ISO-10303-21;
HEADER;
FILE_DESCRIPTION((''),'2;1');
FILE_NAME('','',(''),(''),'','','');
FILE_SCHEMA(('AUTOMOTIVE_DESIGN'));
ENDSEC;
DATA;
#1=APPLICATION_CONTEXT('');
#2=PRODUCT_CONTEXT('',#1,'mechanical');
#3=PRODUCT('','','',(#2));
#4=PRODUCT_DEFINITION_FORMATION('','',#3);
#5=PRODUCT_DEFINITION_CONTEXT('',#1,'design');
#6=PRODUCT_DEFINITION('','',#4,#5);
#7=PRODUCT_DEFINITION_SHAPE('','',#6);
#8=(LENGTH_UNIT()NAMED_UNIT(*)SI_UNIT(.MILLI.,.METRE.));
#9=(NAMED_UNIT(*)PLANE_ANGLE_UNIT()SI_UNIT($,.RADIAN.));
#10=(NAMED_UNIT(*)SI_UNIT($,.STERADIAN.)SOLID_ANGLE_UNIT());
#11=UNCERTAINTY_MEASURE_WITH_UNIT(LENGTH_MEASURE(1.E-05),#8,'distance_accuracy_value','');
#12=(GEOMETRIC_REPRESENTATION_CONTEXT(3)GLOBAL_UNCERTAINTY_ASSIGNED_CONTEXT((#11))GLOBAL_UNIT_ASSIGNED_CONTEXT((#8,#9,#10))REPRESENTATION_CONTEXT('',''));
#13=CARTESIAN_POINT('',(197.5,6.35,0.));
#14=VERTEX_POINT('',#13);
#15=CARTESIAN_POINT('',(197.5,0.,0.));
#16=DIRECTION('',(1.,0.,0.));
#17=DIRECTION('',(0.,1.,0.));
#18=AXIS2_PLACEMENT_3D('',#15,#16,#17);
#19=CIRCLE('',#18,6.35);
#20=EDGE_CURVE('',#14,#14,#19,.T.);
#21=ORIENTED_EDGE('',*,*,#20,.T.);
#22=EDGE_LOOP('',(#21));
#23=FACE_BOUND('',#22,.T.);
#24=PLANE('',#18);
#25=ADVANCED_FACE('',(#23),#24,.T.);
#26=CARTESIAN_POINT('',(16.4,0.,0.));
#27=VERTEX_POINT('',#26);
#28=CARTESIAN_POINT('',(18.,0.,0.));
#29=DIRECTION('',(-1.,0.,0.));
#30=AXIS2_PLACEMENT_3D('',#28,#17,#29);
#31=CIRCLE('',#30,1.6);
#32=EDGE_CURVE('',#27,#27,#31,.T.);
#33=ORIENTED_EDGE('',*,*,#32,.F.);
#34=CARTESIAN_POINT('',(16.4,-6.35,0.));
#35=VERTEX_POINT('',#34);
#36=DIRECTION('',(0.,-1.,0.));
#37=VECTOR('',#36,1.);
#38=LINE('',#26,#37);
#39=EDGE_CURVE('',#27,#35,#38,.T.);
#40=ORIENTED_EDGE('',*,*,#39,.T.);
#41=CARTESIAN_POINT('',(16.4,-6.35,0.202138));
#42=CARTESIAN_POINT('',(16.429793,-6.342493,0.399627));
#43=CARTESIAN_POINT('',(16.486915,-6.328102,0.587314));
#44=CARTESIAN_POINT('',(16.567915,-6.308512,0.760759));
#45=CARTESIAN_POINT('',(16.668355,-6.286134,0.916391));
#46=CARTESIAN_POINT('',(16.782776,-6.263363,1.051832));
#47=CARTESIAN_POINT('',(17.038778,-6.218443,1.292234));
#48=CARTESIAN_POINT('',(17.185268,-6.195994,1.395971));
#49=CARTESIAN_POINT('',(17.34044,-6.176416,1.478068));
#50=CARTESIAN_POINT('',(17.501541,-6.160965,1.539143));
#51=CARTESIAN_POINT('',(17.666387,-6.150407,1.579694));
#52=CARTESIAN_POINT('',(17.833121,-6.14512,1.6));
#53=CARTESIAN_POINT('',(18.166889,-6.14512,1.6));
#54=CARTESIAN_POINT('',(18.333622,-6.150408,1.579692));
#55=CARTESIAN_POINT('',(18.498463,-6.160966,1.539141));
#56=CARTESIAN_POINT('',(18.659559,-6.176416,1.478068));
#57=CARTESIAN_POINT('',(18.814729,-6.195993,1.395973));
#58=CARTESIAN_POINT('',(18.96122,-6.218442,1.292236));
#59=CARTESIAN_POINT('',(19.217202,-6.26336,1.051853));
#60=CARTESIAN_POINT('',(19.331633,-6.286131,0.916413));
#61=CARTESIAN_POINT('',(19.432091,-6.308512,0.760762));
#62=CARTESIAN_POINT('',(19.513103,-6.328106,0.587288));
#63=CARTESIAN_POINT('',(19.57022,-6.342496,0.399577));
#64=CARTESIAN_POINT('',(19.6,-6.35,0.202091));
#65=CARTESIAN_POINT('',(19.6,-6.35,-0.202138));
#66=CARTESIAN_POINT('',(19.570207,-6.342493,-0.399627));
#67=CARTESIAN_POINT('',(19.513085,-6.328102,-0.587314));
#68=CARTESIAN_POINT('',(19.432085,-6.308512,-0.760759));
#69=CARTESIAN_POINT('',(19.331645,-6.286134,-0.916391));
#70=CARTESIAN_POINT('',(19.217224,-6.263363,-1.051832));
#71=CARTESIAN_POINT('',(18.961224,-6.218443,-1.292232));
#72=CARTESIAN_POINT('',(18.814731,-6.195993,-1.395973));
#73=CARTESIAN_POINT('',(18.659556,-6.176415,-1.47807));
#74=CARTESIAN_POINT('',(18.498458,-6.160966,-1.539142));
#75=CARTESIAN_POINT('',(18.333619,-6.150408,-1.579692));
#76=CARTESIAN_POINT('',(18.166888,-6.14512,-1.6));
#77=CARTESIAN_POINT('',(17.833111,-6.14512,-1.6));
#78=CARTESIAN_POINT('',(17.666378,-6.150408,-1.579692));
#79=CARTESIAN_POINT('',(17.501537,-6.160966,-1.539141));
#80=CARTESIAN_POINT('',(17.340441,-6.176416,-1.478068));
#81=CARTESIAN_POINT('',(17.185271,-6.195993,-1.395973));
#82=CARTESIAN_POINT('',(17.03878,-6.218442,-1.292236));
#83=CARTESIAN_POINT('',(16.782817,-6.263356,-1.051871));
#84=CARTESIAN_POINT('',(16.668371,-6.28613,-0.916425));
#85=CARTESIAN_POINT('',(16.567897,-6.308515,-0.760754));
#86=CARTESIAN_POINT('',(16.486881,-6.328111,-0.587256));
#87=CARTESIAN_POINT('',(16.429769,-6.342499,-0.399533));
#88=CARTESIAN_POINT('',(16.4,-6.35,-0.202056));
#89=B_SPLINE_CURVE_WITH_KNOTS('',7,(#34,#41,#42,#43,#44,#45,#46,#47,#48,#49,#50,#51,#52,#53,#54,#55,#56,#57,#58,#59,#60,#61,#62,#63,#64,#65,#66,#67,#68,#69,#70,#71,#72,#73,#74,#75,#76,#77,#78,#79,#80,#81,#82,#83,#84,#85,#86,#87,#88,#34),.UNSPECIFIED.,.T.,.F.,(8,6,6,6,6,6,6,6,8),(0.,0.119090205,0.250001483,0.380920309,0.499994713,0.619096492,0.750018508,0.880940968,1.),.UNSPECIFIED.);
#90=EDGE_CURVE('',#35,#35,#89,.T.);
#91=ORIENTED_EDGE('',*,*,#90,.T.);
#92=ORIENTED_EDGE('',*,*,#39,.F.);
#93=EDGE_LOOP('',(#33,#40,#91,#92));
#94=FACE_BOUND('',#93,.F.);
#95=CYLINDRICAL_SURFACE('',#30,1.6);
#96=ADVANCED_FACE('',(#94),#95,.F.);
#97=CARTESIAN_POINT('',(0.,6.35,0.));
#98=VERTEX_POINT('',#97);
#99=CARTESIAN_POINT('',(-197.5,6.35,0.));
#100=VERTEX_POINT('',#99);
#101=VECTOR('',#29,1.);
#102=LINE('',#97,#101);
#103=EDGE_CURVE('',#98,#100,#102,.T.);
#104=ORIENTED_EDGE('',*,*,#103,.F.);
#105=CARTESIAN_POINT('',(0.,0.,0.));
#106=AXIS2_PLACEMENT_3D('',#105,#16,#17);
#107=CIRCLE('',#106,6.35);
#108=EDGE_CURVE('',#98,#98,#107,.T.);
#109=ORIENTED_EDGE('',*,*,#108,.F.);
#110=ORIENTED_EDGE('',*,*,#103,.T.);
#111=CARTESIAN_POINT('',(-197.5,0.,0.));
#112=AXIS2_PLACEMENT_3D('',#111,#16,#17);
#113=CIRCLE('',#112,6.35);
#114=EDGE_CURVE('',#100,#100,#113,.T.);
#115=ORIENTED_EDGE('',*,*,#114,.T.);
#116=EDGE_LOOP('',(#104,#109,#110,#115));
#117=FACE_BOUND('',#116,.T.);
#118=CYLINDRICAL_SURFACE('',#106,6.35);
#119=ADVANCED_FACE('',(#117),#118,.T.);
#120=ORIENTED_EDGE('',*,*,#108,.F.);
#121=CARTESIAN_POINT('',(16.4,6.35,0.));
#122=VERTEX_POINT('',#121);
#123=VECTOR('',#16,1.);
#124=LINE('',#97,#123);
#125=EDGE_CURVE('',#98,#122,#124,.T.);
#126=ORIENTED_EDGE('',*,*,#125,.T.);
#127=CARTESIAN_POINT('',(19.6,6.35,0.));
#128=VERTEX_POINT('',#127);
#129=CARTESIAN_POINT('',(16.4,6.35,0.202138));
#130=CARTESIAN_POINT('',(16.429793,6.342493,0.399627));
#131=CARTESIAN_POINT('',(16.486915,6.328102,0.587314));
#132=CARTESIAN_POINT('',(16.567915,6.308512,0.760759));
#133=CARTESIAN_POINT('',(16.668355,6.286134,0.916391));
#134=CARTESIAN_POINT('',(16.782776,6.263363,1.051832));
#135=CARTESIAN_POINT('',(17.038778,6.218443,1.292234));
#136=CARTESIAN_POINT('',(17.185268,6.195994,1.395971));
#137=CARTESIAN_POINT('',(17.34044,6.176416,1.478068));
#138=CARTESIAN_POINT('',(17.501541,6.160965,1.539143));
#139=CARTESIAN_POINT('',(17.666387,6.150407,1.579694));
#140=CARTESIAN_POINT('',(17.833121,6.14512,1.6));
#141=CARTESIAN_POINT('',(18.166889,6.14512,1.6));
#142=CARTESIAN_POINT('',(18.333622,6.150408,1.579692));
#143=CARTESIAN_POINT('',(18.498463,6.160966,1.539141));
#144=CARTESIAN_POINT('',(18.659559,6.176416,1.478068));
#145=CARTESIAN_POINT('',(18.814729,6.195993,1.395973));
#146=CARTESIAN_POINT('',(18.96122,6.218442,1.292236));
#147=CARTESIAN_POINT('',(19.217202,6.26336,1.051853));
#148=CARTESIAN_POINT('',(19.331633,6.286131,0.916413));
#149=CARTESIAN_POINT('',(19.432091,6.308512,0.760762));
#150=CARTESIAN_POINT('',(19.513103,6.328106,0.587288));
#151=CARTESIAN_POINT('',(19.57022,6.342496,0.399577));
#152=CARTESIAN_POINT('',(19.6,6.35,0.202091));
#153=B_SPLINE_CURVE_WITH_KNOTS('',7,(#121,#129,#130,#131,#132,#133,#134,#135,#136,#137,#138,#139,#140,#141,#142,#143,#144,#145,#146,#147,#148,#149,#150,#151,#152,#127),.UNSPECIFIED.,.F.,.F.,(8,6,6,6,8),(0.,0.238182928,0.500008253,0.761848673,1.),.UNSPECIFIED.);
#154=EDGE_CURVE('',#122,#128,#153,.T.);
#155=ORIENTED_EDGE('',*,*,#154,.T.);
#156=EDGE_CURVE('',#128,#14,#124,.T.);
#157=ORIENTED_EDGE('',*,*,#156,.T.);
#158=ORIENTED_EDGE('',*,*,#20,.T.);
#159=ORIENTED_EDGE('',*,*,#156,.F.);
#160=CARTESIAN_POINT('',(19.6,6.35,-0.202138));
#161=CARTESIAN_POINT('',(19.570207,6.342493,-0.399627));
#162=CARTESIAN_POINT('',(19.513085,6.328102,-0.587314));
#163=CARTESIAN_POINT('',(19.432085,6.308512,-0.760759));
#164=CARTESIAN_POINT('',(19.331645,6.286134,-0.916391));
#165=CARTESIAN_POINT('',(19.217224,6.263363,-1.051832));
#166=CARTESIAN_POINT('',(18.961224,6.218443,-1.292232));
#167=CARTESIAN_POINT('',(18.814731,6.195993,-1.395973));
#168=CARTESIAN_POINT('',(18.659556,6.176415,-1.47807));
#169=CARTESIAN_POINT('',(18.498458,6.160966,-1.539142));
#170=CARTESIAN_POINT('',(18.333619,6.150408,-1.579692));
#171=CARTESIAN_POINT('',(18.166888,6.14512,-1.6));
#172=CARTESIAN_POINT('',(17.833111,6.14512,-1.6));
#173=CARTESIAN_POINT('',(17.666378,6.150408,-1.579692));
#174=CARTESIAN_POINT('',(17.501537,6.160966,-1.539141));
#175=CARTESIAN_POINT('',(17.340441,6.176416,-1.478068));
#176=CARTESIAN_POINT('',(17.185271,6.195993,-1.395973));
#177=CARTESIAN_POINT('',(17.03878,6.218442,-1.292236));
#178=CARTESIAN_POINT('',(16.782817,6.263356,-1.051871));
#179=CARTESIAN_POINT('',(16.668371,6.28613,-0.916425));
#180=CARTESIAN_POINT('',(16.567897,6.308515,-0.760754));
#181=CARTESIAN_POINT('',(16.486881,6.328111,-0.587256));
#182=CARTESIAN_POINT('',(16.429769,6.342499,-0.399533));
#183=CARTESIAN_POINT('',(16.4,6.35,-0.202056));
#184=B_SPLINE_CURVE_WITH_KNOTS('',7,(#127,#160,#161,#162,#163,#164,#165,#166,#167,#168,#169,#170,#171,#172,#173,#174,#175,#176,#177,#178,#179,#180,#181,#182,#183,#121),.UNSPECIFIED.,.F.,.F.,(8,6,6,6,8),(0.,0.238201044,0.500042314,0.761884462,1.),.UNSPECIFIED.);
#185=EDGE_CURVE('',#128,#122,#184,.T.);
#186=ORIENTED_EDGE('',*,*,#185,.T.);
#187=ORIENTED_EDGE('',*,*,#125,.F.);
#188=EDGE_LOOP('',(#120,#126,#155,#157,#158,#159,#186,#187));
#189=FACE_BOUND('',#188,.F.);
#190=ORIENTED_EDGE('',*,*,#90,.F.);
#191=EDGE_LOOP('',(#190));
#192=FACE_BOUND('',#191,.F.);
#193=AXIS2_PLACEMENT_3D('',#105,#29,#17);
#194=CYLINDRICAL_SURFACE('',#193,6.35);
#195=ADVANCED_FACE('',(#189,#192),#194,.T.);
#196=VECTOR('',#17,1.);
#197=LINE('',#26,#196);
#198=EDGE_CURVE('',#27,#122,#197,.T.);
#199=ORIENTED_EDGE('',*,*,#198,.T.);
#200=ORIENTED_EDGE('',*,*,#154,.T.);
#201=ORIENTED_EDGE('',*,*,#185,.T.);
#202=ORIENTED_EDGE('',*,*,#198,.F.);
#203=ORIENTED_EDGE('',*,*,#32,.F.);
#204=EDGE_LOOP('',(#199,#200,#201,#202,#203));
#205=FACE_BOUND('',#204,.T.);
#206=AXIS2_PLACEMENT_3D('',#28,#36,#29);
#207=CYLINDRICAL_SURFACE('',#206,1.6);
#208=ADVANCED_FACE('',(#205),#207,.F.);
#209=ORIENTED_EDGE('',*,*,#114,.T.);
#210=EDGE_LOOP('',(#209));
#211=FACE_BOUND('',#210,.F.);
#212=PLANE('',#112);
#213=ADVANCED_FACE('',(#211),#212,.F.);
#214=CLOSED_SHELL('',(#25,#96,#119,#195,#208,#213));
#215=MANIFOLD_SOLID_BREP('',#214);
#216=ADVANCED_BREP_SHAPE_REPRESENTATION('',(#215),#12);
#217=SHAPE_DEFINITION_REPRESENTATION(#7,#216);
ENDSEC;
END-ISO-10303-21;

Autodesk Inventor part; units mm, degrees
ref_plane "YZ Plane" through (0, 0, 0) normal (1, 0, 0) x (0, 1, 0)
ref_plane "XZ Plane" through (0, 0, 0) normal (0, 1, 0) x (-1, 0, 0)
ref_plane "XY Plane" through (0, 0, 0) normal (0, 0, 1) x (1, 0, 0)
sketch "Sketch1" plane through (0, 0, 0) normal (0, 1, 0) x (-1, 0, 0)
  line L0 (0, 0) -> (-18, 0)
  circle A0 centre (-18, 0) radius 1.6
  dimension "d12" = 18
  dimension "d13" = 3.2
sketch "Sketch2" plane through (0, 0, 0) normal (1, 0, 0) x (0, 1, 0)
  circle A0 centre (0, 0) radius 6.35
  dimension "d1" = 12.7
extrude "Extrusion1" add sketch "Sketch2" along normal mid plane 395
extrude "Extrusion3" cut sketch "Sketch1" along normal mid plane 30
properties part number "stationaryrod"
